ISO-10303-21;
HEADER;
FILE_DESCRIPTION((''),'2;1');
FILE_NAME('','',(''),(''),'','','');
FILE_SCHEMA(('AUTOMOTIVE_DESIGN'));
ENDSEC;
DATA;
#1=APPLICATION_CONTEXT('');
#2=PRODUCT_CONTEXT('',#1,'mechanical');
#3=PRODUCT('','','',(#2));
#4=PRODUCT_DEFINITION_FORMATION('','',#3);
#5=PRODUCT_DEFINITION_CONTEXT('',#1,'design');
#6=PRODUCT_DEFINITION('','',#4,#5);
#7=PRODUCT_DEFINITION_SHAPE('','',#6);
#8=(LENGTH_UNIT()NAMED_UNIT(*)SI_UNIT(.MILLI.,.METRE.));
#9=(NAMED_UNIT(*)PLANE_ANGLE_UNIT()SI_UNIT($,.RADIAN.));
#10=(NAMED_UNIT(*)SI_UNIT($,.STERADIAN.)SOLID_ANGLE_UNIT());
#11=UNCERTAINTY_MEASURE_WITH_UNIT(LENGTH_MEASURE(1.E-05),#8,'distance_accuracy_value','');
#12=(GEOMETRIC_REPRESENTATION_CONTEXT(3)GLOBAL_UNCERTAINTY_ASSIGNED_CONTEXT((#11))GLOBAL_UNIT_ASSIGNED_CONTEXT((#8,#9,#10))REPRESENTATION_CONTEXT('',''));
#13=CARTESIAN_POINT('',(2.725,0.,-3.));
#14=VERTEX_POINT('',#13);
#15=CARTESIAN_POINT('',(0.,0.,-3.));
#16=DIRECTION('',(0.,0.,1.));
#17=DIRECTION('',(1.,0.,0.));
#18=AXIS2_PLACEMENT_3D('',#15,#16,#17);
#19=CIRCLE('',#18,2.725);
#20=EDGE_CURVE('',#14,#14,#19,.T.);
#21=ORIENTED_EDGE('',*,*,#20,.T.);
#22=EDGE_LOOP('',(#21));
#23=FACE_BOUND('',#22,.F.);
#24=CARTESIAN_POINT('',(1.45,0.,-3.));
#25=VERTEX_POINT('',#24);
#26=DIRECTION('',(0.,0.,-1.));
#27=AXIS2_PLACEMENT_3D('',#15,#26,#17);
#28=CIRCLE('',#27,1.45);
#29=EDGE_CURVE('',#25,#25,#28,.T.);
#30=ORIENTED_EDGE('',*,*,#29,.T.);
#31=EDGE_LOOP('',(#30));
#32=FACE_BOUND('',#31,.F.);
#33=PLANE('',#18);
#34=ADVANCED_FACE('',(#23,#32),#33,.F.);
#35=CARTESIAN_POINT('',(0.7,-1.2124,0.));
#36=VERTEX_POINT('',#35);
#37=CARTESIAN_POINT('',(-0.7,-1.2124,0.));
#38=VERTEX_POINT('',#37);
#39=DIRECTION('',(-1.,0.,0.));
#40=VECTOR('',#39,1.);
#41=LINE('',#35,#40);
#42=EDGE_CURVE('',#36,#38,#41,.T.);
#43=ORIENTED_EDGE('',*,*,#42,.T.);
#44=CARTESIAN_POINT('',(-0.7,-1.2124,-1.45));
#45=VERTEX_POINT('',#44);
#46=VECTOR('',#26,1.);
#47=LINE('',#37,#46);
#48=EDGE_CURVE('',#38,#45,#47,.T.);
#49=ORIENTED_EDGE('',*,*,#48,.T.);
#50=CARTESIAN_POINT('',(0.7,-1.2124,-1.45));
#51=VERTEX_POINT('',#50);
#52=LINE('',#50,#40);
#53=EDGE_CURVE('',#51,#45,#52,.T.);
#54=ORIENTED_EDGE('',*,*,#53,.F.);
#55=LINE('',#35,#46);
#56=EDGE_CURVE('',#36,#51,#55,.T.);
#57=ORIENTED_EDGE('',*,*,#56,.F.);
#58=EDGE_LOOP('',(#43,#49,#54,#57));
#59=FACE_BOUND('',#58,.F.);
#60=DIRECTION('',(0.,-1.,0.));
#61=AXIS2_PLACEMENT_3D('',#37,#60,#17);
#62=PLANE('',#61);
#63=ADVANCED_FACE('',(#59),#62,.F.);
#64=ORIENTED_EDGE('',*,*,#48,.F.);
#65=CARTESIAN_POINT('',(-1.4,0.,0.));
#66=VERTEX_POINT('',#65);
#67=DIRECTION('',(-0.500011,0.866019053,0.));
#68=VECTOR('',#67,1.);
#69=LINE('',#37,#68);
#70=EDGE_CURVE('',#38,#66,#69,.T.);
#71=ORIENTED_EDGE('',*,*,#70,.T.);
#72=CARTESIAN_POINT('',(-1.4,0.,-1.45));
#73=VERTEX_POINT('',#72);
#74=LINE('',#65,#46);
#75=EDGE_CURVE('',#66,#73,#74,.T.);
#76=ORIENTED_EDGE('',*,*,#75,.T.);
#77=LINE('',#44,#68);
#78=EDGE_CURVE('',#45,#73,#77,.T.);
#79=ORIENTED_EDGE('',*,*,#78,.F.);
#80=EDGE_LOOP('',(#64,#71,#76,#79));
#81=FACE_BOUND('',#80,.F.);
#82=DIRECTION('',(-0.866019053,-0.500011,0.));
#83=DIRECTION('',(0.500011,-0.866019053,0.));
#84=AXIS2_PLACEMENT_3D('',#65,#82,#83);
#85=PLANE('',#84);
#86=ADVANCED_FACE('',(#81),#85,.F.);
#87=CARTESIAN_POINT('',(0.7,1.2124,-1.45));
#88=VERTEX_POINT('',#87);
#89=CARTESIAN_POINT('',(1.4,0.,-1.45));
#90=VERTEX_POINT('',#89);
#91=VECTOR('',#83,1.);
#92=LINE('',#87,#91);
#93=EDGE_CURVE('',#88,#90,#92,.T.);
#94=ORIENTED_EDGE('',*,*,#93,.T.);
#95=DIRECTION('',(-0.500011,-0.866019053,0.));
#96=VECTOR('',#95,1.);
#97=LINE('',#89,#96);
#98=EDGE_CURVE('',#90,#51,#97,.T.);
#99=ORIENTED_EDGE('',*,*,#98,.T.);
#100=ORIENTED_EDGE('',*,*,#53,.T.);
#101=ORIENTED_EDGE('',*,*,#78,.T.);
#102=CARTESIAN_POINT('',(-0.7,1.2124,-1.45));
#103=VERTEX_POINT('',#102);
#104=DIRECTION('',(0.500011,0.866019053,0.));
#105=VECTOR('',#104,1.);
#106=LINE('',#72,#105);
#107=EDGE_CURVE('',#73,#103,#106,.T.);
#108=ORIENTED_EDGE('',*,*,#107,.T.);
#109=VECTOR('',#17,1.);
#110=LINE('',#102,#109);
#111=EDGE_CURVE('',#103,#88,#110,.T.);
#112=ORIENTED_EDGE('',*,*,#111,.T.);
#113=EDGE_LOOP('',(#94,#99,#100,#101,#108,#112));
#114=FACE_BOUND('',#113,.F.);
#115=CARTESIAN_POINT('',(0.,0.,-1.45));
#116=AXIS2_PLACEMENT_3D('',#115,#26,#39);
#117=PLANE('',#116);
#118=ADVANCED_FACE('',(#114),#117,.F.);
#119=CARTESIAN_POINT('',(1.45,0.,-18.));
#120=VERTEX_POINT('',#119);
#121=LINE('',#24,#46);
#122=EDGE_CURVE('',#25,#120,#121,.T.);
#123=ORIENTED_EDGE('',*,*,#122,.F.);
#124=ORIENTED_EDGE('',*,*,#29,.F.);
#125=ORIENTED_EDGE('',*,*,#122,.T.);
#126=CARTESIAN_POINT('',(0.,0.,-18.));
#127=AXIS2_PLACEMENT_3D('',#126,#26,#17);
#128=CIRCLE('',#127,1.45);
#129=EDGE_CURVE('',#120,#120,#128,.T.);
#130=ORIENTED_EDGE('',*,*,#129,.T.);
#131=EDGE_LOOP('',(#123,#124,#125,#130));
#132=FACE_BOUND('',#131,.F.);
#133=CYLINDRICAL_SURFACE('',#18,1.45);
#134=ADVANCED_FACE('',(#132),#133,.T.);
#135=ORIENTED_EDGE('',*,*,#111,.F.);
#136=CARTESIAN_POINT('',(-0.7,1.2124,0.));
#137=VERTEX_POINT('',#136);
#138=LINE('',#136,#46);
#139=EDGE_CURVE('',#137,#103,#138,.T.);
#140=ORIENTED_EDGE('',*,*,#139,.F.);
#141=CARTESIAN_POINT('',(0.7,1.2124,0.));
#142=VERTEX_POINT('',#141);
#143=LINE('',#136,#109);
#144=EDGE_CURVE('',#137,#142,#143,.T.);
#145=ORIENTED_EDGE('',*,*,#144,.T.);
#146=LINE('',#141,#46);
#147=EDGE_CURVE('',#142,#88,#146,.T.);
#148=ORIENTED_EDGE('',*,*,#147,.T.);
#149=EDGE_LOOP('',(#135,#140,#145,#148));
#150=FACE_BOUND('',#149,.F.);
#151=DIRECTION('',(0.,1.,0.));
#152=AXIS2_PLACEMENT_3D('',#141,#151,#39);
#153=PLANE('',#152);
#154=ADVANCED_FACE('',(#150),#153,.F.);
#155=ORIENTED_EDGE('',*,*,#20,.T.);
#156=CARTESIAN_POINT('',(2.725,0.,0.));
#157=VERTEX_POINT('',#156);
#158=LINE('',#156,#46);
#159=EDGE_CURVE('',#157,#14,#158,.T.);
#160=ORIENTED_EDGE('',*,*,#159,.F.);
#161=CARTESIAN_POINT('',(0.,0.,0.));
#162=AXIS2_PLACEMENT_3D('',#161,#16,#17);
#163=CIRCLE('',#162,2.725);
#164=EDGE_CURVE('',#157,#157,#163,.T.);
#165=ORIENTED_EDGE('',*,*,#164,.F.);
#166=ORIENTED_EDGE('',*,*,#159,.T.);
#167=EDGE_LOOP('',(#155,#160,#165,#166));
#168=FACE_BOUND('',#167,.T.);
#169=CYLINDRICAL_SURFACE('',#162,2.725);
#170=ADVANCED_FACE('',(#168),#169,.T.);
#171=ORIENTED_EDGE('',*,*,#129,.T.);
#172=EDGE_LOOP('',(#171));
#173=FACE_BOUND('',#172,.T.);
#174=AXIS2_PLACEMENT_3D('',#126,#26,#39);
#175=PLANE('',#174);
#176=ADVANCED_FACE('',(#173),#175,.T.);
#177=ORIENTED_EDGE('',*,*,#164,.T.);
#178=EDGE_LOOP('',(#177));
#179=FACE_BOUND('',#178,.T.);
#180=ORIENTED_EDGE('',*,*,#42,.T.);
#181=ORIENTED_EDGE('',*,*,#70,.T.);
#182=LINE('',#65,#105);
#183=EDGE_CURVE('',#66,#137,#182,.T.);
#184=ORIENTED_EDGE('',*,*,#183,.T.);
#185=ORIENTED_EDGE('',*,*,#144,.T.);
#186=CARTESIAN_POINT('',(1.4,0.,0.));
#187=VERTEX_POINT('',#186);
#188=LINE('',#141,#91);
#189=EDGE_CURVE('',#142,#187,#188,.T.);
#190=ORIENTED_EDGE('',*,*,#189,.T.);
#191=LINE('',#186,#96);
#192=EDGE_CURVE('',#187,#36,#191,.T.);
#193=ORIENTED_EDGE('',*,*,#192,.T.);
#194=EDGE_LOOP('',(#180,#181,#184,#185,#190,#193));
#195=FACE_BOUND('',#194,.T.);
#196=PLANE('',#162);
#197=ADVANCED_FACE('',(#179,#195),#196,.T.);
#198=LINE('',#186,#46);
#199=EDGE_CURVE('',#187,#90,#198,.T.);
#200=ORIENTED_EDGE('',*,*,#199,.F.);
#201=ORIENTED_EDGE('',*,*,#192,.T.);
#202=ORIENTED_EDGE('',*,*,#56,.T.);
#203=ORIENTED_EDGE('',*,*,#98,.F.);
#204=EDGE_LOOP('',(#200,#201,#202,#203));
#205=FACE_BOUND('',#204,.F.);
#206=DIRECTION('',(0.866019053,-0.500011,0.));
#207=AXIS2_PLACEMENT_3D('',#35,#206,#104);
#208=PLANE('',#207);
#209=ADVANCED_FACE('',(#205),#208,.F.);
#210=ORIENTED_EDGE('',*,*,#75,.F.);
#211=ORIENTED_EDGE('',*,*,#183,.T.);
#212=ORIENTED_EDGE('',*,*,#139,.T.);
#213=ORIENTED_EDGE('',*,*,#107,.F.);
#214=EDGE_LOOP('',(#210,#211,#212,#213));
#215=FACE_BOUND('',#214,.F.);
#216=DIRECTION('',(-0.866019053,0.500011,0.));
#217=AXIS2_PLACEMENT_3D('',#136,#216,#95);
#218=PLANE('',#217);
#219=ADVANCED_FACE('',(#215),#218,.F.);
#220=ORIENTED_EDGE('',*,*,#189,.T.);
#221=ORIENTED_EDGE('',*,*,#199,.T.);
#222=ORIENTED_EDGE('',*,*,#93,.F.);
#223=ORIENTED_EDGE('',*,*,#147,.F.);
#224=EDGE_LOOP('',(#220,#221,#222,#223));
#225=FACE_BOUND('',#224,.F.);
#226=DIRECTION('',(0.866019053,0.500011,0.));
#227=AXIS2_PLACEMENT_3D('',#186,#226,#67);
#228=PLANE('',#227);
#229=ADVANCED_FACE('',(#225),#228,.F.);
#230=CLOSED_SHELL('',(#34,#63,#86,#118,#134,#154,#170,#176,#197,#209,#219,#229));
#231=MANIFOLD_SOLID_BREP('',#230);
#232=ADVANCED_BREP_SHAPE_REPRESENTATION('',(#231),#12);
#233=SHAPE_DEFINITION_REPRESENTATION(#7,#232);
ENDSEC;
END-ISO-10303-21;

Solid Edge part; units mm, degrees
sketch "Sketch1" plane through (0, 0, 0) normal (0, 0, 1) x (1, 0, 0)
  circle A0 centre (0, 0) radius 2.725
extrude "Protrusion1" add sketch "Sketch1" against normal blind 3
sketch "Sketch2" plane through (0, 0, 0) normal (0, 0, 1) x (1, 0, 0)
  line L0 (-0.7, -1.2124) -> (-1.05, -0.6062)
  line L1 (-1.4, 0) -> (-1.05, -0.6062)
  line L2 (-1.4, 0) -> (-1.05, 0.6062)
  line L3 (-0.7, 1.2124) -> (-1.05, 0.6062)
  line L4 (-0.7, 1.2124) -> (0, 1.2124)
  line L5 (0.7, 1.2124) -> (0, 1.2124)
  line L6 (0.7, 1.2124) -> (1.05, 0.6062)
  line L7 (1.4, 0) -> (1.05, 0.6062)
  line L8 (1.4, 0) -> (1.05, -0.6062)
  line L9 (0.7, -1.2124) -> (1.05, -0.6062)
  line L10 (0.7, -1.2124) -> (0, -1.2124)
  line L11 (-0.7, -1.2124) -> (0, -1.2124)
extrude "ExtrudedCutout_1" cut sketch "Sketch2" against normal blind 1.45
sketch "Sketch3" plane through (0, 0, -3) normal (0, 0, -1) x (1, 0, 0)
  circle A0 centre (0, 0) radius 1.45
extrude "ExtrudedProtrusion_2" add sketch "Sketch3" along normal blind 15
